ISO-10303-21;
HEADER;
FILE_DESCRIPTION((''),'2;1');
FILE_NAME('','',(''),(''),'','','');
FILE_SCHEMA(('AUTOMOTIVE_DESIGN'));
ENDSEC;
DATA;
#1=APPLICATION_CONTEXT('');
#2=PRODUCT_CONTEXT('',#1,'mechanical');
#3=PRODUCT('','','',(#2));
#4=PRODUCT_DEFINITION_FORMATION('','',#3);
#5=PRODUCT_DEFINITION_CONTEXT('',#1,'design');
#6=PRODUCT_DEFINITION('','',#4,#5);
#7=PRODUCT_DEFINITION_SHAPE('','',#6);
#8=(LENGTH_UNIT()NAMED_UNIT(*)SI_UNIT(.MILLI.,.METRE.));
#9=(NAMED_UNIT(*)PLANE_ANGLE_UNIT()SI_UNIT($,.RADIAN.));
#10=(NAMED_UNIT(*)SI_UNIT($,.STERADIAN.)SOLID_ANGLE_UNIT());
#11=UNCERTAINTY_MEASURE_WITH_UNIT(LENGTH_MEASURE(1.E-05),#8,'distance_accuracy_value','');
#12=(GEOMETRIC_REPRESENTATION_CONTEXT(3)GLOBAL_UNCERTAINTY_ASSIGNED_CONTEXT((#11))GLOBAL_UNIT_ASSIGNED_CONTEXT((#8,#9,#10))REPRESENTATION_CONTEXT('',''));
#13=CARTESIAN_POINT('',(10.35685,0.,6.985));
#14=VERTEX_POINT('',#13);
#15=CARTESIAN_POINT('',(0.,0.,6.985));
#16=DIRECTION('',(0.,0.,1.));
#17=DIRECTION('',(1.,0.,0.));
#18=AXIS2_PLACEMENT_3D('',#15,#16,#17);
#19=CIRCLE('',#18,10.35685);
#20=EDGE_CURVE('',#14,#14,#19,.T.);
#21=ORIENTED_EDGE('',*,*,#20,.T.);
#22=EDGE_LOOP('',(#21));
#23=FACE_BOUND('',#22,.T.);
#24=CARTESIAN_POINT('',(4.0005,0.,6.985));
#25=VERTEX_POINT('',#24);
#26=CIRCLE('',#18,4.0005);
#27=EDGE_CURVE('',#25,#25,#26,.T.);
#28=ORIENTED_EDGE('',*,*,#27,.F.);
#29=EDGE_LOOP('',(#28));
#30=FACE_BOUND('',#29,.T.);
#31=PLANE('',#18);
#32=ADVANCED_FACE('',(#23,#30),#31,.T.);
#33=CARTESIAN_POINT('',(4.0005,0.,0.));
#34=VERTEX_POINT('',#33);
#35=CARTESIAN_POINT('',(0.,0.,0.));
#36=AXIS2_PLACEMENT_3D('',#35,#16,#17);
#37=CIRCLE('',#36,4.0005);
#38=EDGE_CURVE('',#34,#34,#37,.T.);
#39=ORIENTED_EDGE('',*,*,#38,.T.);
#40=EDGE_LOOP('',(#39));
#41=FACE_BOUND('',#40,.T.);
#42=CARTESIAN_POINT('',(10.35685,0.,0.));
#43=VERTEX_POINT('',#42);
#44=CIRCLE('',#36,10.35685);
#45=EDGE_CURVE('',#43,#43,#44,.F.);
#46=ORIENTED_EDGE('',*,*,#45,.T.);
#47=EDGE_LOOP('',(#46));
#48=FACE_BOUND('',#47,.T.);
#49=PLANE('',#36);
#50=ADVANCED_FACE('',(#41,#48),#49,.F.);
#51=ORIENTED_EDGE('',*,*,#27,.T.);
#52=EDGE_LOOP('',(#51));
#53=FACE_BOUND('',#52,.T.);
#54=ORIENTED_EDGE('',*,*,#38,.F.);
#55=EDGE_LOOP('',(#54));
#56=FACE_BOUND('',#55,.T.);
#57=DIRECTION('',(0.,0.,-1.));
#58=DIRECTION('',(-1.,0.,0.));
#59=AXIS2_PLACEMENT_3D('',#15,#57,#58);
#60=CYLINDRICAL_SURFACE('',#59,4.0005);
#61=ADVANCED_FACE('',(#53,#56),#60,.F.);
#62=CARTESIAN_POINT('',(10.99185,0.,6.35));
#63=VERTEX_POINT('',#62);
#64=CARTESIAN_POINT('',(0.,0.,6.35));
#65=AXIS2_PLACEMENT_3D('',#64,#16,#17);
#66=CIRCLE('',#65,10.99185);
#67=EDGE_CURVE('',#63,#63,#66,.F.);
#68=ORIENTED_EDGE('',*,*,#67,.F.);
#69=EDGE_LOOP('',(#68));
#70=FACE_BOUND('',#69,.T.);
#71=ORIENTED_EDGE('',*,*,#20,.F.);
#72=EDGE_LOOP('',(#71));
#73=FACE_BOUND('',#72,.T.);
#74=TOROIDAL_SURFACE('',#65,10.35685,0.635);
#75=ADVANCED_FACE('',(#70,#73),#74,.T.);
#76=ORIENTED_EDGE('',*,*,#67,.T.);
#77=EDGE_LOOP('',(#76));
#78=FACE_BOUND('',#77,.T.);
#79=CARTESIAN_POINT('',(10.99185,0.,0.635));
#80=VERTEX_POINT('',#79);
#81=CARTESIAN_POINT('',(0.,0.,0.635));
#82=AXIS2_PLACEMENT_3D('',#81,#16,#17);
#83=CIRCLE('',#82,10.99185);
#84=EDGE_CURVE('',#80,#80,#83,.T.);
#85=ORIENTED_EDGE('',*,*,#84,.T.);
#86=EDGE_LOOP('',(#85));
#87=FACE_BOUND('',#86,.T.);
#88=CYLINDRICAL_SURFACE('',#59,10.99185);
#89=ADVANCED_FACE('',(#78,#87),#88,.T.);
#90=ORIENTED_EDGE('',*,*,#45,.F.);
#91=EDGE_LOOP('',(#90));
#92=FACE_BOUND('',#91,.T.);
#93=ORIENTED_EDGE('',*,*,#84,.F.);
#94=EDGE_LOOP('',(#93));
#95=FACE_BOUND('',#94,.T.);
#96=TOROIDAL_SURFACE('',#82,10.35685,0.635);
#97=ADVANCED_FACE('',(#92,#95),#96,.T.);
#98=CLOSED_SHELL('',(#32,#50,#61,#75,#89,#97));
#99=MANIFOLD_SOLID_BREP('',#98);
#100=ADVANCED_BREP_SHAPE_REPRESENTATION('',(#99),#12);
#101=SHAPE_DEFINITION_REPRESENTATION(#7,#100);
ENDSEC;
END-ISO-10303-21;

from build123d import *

# Parameters (mm, degrees)
SKETCH1_R           = 10.99185
SKETCH1_R_2         = 4.0005
BOSS_EXTRUDE1_DEPTH = 6.985
FILLET1_R           = 0.635


with BuildPart() as part:
    # Sketch1 → Boss-Extrude1 (new body)
    with BuildSketch(Plane.XY):
        Circle(SKETCH1_R)
        Circle(SKETCH1_R_2, mode=Mode.SUBTRACT)
    extrude(amount=BOSS_EXTRUDE1_DEPTH)

    # Fillet1
    fillet1_edges = [part.edges().sort_by_distance(p)[0] for p in [
        (-10.99185, 0, 0),
        (-10.99185, 0, 6.985),
    ]]
    fillet(fillet1_edges, radius=FILLET1_R)


solid = part.part
